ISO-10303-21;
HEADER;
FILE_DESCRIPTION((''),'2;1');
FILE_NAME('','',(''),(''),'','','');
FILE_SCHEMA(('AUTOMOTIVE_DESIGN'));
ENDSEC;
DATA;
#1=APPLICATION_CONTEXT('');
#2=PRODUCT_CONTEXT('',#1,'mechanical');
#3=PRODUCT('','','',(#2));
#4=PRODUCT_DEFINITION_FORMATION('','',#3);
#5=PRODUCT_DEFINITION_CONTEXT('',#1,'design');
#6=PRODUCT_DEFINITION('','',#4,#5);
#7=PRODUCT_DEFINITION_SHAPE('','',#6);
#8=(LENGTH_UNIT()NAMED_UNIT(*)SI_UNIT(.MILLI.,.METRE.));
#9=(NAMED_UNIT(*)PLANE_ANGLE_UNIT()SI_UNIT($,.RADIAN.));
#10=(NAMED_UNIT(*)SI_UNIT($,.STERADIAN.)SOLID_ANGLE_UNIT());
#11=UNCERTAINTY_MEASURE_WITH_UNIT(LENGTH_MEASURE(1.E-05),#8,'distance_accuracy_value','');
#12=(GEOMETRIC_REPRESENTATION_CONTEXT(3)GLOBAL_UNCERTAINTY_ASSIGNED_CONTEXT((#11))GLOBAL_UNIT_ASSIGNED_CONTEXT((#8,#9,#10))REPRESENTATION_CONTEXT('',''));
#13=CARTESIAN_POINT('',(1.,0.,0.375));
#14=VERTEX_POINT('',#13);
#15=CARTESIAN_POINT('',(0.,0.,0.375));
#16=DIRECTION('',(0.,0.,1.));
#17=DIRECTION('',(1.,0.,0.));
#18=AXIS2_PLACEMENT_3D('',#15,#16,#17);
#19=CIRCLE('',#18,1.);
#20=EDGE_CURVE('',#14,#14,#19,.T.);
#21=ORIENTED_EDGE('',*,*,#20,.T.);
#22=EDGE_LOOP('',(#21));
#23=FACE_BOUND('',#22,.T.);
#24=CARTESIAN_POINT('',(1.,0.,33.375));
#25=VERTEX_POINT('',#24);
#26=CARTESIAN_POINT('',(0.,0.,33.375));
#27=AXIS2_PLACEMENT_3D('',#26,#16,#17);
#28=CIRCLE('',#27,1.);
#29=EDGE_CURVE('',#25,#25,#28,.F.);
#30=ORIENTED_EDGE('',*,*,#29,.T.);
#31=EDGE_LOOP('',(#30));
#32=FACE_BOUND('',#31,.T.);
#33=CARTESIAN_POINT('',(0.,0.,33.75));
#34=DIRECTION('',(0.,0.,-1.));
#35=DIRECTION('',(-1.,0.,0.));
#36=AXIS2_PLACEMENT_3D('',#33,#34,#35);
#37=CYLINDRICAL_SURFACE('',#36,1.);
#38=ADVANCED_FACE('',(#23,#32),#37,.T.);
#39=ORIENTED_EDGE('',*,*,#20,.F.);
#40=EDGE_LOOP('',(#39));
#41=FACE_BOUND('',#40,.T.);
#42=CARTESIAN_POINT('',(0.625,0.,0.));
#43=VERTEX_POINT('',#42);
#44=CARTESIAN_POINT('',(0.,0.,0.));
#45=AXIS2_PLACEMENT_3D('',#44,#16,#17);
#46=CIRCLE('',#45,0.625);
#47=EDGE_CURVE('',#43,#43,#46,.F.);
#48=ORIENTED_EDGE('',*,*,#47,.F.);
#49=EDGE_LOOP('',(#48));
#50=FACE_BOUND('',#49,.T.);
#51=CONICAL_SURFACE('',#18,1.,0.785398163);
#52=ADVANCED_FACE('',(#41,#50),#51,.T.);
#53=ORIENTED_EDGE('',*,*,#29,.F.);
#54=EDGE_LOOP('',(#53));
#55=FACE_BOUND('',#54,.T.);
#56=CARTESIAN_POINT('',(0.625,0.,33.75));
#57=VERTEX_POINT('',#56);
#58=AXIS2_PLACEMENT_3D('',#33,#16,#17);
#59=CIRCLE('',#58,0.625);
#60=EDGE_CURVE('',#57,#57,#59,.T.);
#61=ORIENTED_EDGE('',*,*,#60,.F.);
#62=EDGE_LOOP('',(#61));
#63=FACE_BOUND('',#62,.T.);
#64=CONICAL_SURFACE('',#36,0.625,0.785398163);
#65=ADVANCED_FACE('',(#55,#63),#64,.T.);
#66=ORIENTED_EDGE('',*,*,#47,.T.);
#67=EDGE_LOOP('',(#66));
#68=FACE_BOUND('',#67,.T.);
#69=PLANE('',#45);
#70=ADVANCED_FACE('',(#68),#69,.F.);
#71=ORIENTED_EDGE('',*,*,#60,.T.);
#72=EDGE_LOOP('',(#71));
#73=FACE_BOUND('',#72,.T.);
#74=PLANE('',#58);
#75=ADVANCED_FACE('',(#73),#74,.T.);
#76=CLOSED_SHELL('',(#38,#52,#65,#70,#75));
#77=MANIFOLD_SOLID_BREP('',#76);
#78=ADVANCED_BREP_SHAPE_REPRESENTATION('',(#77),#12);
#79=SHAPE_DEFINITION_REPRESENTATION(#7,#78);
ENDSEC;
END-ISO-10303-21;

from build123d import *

# Parameters (mm, degrees)
ESQUISSE1_R        = 1
BOSS_EXTRU_1_DEPTH = 33.75
CHANFREIN1_SIZE    = 0.375


with BuildPart() as part:
    # Esquisse1 → Boss.-Extru.1 (new body)
    with BuildSketch(Plane.XY):
        Circle(ESQUISSE1_R)
    extrude(amount=BOSS_EXTRU_1_DEPTH)

    # Chanfrein1
    chanfrein1_edges = [part.edges().sort_by_distance(p)[0] for p in [
        (-1, 0, 0),
        (-1, 0, 33.75),
    ]]
    chamfer(chanfrein1_edges, length=CHANFREIN1_SIZE)


solid = part.part
